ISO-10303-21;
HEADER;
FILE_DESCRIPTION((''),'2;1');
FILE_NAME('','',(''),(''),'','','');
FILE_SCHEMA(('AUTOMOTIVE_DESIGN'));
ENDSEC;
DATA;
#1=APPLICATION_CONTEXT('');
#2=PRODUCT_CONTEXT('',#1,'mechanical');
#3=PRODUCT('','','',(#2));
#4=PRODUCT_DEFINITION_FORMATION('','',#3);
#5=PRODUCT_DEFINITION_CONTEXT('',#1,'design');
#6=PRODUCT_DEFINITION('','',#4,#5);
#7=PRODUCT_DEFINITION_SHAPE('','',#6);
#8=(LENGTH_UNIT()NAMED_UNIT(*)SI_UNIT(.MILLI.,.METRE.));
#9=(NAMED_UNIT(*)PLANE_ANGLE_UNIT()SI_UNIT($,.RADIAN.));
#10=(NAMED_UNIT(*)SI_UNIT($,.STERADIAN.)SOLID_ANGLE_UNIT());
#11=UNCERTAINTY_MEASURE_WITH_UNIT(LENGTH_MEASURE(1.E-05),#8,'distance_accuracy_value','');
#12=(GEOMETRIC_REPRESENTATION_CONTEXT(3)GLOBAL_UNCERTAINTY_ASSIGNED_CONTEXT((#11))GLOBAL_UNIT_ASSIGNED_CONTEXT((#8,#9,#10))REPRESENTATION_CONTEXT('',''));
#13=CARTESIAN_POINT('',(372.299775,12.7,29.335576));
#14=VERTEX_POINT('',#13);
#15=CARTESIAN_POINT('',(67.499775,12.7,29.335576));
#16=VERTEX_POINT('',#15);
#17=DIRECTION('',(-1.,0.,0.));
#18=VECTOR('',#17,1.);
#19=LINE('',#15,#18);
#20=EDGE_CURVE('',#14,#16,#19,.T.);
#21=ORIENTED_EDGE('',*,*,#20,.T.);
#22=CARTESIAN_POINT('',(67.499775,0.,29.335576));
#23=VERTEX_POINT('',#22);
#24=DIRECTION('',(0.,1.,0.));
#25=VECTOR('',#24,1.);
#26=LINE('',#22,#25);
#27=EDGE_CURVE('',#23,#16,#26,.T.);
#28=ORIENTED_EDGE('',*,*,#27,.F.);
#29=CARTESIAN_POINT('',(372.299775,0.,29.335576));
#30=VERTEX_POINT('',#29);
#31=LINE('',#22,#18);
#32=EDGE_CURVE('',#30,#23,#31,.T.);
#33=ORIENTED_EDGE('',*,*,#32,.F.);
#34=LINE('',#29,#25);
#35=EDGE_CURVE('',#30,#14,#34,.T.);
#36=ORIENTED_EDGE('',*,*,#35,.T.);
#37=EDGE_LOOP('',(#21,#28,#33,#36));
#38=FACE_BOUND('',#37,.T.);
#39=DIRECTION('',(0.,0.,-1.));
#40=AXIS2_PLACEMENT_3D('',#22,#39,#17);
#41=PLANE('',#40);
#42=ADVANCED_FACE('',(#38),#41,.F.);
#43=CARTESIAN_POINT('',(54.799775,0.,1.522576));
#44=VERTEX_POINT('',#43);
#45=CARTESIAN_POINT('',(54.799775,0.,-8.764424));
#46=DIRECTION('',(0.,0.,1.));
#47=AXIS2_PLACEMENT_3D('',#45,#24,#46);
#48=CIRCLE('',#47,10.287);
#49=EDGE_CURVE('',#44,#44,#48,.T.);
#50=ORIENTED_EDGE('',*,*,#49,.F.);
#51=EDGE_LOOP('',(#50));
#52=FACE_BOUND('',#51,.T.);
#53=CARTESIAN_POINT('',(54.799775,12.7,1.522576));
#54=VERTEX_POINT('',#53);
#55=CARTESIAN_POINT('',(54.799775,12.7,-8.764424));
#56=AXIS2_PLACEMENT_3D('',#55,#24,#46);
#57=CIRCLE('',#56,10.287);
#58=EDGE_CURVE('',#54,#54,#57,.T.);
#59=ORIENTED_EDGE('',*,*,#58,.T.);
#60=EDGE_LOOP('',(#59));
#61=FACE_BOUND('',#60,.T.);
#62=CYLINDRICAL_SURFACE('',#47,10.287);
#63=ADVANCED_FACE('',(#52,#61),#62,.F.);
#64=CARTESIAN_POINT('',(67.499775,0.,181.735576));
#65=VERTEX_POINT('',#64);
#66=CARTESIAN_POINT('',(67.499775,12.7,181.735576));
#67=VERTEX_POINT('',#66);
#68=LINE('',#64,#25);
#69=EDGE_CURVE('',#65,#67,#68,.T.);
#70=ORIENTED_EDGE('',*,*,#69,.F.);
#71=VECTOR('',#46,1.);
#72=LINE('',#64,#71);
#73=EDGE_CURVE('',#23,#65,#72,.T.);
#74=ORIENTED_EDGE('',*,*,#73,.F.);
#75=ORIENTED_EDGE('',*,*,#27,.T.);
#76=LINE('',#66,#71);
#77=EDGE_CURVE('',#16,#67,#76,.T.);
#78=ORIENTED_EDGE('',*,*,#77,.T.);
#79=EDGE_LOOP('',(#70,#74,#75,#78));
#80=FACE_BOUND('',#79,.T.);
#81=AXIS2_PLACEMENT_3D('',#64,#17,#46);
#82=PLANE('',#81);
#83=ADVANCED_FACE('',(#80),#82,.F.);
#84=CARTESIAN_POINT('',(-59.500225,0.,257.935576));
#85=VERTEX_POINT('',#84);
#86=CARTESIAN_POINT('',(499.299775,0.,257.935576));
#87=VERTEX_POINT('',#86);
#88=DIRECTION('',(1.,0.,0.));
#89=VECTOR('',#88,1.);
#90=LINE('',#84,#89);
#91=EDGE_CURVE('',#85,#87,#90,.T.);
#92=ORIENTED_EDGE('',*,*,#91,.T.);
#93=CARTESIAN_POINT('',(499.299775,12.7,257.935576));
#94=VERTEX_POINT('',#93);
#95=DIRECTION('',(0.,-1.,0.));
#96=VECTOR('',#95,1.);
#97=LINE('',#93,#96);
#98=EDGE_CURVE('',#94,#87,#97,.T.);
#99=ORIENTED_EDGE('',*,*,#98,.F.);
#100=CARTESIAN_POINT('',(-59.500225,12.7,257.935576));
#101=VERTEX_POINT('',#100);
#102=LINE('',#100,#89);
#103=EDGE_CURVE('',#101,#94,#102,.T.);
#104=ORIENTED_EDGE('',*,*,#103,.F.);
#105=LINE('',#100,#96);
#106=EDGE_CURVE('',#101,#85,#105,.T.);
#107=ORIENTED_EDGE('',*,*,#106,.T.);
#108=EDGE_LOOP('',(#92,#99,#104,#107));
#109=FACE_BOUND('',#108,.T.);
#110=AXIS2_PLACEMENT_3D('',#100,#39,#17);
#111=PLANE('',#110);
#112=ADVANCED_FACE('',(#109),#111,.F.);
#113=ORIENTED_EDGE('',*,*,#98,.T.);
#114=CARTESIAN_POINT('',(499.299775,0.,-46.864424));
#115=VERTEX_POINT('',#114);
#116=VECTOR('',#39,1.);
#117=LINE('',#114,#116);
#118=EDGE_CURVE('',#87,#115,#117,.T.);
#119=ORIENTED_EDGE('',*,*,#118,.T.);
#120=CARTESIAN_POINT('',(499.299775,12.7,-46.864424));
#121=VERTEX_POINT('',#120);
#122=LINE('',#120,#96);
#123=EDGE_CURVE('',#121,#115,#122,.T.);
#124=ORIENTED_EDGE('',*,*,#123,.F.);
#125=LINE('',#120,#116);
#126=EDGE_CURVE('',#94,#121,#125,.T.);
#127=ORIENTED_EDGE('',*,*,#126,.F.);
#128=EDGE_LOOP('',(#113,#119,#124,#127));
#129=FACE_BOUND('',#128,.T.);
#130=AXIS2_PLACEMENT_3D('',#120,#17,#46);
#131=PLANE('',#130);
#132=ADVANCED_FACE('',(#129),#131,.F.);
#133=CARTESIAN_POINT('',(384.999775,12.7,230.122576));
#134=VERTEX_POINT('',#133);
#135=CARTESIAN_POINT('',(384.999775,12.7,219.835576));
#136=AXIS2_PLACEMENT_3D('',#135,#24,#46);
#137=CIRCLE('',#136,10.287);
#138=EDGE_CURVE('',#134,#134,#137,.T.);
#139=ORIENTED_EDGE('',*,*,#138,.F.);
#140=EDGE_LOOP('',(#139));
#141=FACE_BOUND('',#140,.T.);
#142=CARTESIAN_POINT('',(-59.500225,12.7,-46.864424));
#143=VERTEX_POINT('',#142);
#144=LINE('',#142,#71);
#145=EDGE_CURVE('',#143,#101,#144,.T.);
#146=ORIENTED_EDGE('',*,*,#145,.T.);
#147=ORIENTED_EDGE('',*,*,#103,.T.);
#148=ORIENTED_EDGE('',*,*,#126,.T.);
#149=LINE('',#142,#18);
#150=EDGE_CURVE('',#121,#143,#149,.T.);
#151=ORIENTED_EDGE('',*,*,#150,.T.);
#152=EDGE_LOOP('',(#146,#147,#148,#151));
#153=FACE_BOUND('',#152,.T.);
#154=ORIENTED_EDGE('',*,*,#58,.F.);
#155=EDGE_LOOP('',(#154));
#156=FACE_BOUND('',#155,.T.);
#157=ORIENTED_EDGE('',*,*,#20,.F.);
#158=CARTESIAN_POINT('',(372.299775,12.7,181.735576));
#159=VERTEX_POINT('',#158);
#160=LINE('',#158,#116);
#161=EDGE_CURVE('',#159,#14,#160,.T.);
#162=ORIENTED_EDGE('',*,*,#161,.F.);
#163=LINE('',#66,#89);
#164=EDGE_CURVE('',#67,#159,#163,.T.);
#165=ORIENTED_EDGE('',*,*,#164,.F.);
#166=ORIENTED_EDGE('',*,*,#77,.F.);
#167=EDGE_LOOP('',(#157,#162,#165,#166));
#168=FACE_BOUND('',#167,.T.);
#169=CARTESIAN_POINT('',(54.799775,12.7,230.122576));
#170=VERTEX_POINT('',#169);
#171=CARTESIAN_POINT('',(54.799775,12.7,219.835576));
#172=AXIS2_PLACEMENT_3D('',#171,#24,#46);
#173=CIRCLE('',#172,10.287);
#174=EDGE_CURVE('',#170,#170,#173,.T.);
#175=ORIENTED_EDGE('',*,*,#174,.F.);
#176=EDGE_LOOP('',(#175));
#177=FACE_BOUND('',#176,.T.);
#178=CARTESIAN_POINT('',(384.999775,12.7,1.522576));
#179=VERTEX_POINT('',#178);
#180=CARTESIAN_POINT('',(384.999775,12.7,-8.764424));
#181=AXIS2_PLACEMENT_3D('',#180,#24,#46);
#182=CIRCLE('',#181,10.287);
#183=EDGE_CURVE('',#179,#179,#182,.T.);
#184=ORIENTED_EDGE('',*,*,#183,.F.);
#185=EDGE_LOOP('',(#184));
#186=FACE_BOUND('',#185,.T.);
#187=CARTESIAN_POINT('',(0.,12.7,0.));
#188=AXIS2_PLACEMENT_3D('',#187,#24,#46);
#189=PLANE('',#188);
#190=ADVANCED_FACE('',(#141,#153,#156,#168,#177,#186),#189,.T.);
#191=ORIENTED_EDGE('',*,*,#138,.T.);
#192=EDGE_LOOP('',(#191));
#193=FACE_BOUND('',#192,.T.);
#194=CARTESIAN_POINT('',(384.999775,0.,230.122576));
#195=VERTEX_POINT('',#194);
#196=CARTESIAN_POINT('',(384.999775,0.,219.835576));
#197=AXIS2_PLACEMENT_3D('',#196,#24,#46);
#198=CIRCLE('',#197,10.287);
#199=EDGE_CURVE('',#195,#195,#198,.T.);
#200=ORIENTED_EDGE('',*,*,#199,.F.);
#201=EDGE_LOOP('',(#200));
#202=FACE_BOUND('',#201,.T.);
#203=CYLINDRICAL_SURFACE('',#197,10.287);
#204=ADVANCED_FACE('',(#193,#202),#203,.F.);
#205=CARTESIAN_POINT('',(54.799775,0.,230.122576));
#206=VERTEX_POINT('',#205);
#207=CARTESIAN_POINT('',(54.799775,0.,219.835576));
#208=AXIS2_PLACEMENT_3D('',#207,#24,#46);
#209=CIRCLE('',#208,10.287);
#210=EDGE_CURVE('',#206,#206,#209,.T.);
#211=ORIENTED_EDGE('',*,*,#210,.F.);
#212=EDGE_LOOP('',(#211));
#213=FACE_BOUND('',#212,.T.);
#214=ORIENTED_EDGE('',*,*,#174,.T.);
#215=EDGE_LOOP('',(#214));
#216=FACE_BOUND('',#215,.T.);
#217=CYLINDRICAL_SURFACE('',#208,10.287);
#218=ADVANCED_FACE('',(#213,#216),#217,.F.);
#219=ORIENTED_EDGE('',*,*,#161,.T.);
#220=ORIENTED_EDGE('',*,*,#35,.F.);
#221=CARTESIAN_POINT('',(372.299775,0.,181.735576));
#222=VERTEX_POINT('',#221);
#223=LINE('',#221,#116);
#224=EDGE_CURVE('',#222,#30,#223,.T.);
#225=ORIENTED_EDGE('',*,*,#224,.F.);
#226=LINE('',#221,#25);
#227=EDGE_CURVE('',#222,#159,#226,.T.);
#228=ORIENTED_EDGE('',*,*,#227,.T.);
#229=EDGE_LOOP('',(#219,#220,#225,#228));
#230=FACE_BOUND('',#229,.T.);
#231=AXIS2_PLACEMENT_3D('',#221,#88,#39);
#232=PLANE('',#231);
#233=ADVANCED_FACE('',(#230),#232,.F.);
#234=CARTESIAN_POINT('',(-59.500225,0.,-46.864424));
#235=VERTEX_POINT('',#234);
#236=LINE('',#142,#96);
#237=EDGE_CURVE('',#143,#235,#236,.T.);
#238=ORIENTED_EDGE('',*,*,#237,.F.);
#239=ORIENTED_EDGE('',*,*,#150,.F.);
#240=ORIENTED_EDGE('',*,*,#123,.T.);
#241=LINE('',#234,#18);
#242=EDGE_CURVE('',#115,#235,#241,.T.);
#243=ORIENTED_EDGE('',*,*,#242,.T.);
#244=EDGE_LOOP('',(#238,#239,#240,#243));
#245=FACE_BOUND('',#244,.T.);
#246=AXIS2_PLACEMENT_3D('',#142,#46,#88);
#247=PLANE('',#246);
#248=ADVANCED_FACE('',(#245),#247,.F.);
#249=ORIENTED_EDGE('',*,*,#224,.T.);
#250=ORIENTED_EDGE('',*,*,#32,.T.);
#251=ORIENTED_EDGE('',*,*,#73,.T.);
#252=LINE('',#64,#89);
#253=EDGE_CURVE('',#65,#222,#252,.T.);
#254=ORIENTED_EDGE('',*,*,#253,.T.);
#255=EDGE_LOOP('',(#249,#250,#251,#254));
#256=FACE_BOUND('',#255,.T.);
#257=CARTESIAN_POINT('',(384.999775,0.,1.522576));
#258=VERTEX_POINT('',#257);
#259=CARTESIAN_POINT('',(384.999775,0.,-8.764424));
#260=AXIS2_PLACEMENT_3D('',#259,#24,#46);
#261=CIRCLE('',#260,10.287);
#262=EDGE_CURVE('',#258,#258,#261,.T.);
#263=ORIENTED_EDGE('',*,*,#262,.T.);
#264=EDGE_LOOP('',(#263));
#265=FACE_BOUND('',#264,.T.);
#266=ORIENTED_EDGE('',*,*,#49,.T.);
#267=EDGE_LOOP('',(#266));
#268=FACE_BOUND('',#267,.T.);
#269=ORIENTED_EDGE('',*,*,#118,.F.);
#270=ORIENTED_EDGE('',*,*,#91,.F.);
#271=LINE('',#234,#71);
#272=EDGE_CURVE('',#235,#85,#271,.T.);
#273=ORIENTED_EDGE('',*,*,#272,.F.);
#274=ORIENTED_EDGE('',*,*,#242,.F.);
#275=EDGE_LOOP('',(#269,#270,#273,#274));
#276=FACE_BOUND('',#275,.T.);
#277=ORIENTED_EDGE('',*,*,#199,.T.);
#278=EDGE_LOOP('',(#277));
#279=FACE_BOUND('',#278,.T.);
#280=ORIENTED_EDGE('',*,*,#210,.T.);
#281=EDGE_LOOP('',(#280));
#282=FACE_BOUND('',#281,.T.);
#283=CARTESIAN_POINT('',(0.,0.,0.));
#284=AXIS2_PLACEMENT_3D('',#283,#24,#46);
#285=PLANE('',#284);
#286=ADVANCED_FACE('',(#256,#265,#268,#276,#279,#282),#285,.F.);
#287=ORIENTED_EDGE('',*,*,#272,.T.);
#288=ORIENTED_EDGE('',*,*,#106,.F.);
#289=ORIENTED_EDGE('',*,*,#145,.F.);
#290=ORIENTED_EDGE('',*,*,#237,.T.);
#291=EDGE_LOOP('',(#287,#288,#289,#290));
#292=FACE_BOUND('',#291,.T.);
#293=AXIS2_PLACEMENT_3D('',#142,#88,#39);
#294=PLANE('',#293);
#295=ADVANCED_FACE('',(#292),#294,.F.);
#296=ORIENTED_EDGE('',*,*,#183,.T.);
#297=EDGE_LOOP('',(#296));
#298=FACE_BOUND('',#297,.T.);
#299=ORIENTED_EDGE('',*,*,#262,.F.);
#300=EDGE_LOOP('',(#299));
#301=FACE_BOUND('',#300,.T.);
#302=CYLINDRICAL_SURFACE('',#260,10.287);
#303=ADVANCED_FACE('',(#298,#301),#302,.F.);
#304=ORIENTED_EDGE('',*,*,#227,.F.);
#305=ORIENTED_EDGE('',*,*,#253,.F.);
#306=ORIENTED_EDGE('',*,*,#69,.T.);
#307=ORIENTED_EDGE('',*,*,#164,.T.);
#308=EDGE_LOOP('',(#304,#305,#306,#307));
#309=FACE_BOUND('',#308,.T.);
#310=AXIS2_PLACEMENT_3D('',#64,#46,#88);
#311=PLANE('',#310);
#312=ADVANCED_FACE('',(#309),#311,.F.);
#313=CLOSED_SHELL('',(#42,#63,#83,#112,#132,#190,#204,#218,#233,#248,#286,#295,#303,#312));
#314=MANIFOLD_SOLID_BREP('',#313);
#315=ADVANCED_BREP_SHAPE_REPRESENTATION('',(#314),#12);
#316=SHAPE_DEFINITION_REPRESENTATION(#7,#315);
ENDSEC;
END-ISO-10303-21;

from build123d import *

# Parameters (mm, degrees)
SKETCH1_W           = 558.8
SKETCH1_H           = 304.8
BOSS_EXTRUDE1_DEPTH = 12.7
SKETCH2_W           = 304.8
SKETCH2_H           = 152.4
CUT_EXTRUDE1_DEPTH  = 12.7
SKETCH4_R           = 10.287
CUT_EXTRUDE2_DEPTH  = 12.7


with BuildPart() as part:
    # Sketch1 → Boss-Extrude1 (new body)
    with BuildSketch(Plane(origin=(0, 0, 0), x_dir=(1, 0, 0), z_dir=(0, 1, 0))):
        with Locations((219.899775418, -105.5355758)):
            Rectangle(SKETCH1_W, SKETCH1_H)
    extrude(amount=BOSS_EXTRUDE1_DEPTH)

    # Sketch2 → Cut-Extrude1 (cut)
    with BuildSketch(Plane(origin=(0, 12.7, 0), x_dir=(1, 0, 0), z_dir=(0, 1, 0))):
        with Locations((219.899775418, -105.5355758)):
            Rectangle(SKETCH2_W, SKETCH2_H)
    extrude(amount=-CUT_EXTRUDE1_DEPTH, mode=Mode.SUBTRACT)

    # Sketch4 → Cut-Extrude2 (cut)
    with BuildSketch(Plane(origin=(0, 12.7, 0), x_dir=(1, 0, 0), z_dir=(0, 1, 0))):
        with Locations((54.799775418, 8.7644242)):
            Circle(SKETCH4_R)
        with Locations((384.999775418, 8.7644242)):
            Circle(SKETCH4_R)
        with Locations((54.799775418, -219.8355758)):
            Circle(SKETCH4_R)
        with Locations((384.999775418, -219.8355758)):
            Circle(SKETCH4_R)
    extrude(amount=-CUT_EXTRUDE2_DEPTH, mode=Mode.SUBTRACT)


solid = part.part
